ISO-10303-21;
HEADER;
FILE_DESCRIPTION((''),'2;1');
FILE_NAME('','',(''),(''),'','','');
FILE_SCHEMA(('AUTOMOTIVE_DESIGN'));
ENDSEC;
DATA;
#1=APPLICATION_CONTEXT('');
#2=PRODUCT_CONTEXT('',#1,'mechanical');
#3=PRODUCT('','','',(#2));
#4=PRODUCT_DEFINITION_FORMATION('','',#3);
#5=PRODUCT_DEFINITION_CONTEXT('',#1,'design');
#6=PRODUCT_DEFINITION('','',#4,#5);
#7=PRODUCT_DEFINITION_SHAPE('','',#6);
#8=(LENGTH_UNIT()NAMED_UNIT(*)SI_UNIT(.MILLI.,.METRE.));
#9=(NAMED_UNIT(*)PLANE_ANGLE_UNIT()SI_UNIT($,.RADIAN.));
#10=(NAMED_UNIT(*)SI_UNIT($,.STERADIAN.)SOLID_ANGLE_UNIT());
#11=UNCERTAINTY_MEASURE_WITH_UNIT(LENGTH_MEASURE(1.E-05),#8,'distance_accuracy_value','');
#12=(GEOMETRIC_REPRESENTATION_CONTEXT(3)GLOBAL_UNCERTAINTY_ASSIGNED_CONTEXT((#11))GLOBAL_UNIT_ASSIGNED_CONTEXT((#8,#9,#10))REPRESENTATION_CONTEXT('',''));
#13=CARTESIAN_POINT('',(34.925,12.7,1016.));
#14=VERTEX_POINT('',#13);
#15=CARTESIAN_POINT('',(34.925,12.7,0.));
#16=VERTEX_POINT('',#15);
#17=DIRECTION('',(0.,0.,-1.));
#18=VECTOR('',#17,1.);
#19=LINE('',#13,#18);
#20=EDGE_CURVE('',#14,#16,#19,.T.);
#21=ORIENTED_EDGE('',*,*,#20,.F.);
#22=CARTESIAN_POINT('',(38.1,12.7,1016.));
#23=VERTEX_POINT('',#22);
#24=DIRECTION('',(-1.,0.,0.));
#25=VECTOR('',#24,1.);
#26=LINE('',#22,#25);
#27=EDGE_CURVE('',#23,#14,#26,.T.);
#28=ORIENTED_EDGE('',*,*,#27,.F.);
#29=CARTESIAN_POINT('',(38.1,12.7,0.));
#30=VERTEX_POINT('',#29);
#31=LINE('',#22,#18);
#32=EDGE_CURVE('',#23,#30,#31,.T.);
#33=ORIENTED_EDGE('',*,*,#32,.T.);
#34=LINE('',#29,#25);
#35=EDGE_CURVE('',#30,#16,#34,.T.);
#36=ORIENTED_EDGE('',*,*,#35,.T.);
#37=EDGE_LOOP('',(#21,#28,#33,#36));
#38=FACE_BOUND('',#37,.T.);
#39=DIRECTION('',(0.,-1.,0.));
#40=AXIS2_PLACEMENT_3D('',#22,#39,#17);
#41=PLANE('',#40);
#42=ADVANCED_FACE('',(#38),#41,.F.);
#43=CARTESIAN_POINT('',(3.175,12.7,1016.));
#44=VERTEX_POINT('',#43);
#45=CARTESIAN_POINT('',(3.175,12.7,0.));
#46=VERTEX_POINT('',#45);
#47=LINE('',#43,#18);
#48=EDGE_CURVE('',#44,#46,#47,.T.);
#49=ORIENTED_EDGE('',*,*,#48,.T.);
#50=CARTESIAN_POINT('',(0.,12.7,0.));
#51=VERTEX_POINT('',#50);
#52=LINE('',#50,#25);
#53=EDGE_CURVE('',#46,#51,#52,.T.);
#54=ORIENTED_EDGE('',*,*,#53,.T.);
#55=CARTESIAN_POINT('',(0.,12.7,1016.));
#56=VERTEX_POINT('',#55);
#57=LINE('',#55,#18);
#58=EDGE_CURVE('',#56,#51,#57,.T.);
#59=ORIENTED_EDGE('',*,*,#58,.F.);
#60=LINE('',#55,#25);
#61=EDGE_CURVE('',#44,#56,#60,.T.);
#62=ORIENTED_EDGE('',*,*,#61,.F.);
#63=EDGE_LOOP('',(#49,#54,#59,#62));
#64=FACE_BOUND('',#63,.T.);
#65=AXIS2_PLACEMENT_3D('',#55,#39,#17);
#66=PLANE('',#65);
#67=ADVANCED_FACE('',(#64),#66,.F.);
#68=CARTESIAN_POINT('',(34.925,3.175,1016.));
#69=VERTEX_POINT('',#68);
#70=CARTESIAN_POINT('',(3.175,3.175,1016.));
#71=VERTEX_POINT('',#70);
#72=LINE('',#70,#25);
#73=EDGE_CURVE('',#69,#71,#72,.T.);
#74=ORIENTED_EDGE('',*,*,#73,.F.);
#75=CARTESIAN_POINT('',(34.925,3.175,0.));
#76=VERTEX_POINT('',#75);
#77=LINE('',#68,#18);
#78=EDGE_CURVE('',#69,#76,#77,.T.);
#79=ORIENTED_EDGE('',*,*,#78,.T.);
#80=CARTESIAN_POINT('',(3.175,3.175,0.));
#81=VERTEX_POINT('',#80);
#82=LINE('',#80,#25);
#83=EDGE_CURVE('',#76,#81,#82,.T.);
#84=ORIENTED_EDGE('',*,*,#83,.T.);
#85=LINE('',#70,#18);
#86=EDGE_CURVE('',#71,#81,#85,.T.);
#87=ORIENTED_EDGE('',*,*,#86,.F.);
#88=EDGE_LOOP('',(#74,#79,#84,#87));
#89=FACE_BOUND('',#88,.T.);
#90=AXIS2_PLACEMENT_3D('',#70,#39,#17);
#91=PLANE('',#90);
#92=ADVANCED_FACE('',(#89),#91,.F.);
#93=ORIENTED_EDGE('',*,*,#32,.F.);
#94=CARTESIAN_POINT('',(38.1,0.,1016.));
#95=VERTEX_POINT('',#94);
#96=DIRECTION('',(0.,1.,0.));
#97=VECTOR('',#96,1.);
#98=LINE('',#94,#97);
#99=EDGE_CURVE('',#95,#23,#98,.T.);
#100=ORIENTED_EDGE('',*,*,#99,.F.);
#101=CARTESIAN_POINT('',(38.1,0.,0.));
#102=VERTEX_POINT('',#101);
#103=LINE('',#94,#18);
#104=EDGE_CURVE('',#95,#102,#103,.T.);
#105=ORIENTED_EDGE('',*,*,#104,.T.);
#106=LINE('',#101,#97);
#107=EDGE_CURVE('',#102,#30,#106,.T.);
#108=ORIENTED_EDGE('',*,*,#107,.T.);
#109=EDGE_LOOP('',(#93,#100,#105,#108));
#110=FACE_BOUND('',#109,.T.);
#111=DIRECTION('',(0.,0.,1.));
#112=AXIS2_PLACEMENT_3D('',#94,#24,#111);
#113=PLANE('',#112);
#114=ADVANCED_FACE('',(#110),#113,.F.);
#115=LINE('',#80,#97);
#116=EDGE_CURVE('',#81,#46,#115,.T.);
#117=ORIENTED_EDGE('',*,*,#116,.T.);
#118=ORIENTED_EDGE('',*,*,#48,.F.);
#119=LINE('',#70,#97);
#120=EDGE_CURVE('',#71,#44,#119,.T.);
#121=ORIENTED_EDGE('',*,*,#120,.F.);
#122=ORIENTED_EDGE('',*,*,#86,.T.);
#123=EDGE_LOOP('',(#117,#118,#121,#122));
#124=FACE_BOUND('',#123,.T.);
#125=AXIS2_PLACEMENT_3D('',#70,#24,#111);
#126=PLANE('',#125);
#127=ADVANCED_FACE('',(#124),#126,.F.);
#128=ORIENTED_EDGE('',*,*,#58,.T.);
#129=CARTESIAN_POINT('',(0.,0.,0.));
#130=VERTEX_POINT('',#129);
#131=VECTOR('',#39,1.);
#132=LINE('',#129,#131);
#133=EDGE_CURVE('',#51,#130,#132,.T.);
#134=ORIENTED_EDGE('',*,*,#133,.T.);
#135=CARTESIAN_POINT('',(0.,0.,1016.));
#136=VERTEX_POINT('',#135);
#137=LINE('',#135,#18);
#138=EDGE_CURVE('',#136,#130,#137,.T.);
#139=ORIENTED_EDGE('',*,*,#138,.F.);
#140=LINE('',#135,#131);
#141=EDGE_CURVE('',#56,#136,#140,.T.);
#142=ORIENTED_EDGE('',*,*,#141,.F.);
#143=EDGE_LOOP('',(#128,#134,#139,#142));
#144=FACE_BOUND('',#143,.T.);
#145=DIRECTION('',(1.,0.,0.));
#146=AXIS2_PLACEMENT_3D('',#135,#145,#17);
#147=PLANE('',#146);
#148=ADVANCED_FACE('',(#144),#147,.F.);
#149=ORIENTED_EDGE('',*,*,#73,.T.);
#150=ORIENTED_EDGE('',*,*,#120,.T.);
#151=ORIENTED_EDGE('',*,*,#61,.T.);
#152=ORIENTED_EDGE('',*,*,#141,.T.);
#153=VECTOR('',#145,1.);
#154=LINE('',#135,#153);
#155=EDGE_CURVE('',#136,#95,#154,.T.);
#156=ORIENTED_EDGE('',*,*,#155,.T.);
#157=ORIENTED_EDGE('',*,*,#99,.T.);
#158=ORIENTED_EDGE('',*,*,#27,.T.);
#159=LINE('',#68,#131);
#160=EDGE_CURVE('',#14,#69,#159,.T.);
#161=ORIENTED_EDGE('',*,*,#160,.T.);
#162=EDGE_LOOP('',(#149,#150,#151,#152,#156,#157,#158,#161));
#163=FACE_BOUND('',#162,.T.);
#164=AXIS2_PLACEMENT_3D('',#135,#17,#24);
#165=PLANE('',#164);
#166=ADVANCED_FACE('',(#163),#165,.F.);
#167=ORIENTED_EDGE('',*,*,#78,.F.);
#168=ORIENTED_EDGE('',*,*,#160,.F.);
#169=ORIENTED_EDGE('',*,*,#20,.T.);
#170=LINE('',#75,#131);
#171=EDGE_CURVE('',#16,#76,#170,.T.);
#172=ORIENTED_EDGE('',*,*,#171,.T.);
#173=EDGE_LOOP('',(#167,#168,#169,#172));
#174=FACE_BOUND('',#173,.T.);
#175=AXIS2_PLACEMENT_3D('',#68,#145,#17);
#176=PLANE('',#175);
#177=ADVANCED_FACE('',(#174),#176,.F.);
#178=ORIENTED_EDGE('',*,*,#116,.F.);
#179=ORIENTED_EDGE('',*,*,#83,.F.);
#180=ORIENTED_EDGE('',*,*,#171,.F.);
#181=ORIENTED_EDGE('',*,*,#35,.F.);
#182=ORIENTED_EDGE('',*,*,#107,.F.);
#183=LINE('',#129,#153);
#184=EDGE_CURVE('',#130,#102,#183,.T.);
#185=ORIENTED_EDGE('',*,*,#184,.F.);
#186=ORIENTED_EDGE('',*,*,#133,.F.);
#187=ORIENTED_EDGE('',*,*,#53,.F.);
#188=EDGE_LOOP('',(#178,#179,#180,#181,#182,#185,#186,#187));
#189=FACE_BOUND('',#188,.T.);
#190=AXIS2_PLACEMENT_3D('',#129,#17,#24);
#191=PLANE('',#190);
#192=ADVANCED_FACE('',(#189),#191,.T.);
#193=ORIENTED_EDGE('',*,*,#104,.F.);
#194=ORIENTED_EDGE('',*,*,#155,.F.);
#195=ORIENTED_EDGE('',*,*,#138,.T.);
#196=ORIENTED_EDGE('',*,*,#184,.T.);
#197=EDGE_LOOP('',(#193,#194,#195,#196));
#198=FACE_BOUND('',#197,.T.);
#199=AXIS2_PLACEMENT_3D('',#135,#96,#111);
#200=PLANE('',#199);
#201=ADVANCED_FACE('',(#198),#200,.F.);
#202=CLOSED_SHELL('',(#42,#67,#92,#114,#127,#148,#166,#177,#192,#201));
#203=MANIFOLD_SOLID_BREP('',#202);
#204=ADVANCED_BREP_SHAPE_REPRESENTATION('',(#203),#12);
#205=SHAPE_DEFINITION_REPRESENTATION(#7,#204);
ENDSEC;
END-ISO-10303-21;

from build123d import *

# Parameters (mm, degrees)
EXTRUDE_F_DEPTH = 1016


with BuildPart() as part:
    # Sketch1 → Extrude f (new body)
    with BuildSketch(Plane.XY):
        Polygon((3.175, 3.175), (3.175, 12.7), (0, 12.7), (0, 0), (38.1, 0), (38.1, 12.7), (34.925, 12.7), (34.925, 3.175), align=None)
    extrude(amount=EXTRUDE_F_DEPTH)


solid = part.part
